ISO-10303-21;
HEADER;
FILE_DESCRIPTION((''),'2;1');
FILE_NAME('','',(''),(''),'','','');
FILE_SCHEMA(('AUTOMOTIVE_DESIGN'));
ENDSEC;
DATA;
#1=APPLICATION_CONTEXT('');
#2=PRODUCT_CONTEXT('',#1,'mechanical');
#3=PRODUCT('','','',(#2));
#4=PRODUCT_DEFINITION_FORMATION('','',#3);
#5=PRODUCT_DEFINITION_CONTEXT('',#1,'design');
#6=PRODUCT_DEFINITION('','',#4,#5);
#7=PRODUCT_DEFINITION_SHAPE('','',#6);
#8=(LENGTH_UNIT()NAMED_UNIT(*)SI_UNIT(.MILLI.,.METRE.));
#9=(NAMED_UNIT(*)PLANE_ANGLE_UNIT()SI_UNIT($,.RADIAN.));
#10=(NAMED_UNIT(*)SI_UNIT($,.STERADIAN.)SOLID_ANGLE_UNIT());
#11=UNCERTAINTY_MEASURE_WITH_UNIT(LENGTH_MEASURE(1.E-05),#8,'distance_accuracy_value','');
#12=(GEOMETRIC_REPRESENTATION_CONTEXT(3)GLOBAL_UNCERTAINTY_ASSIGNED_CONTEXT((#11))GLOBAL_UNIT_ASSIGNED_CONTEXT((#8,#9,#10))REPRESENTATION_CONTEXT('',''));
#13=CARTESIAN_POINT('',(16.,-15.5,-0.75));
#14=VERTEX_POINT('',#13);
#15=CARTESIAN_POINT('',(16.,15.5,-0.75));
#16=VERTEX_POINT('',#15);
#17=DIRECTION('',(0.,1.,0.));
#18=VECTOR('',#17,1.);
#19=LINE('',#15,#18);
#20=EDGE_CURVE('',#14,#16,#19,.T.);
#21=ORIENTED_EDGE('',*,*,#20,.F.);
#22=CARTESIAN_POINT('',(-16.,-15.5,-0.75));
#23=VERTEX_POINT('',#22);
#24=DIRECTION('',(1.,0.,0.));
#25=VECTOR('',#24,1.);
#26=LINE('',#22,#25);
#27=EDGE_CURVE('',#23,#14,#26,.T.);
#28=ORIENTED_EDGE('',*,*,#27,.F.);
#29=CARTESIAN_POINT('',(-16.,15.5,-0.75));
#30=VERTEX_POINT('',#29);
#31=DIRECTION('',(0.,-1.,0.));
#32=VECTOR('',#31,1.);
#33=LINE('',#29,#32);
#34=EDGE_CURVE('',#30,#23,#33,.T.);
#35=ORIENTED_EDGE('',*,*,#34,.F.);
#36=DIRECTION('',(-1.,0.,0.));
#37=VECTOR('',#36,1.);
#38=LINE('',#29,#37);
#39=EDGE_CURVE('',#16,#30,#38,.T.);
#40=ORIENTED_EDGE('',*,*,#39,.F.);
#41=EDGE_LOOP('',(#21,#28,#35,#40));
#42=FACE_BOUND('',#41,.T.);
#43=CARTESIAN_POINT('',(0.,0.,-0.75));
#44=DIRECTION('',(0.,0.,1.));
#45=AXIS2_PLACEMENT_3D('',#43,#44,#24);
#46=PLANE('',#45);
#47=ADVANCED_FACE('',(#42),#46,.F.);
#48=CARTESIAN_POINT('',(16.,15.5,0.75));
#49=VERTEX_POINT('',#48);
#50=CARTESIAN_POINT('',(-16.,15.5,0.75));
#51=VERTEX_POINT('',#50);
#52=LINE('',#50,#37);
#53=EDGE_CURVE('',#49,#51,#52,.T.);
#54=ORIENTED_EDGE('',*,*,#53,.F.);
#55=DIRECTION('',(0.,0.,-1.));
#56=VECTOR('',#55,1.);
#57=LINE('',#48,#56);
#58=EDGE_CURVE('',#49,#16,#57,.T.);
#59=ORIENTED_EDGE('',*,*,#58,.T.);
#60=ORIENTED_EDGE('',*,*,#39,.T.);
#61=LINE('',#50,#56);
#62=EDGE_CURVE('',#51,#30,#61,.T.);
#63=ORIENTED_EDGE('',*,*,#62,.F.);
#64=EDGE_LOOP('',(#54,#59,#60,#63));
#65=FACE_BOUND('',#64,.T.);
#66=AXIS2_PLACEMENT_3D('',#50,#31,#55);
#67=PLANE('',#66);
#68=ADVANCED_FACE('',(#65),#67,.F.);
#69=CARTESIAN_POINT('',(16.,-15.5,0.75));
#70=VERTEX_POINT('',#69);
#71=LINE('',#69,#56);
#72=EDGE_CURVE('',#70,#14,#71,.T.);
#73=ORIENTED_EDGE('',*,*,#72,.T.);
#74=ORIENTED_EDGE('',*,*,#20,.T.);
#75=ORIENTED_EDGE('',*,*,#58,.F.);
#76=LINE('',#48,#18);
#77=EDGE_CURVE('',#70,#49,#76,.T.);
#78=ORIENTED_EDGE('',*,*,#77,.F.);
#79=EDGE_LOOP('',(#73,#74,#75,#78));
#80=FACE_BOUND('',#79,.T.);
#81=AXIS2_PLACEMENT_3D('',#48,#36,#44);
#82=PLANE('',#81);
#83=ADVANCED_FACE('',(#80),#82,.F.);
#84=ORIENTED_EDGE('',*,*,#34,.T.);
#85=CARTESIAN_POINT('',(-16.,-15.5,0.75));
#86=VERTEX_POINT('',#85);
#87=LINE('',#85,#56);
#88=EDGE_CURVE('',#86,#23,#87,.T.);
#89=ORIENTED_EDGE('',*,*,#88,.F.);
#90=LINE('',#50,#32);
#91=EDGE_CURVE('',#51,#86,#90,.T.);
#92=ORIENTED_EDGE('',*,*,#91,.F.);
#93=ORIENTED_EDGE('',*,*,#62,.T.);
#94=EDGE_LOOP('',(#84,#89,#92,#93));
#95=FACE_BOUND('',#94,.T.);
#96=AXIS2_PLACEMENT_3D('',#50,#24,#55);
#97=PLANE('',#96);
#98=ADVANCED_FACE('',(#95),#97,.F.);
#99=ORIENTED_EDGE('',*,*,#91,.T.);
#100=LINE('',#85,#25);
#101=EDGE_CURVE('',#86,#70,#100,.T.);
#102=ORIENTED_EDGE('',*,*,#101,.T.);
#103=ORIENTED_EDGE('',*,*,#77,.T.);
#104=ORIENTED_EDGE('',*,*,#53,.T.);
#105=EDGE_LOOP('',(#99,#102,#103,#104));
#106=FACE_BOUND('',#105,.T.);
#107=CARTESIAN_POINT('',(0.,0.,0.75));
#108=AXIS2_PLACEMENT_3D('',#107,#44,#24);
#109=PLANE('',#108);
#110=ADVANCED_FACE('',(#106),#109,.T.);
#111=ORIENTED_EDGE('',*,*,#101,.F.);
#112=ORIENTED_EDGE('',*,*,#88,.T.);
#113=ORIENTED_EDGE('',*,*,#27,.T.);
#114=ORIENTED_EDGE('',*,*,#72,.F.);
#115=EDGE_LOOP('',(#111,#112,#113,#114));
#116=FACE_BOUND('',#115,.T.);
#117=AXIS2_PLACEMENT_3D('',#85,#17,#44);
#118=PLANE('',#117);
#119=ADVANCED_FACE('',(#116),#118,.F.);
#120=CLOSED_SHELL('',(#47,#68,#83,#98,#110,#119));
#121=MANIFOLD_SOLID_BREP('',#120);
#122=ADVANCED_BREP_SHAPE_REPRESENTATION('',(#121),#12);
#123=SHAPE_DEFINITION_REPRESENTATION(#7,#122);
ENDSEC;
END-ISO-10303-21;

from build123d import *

# Parameters (mm, degrees)
ESQUISSE1_W        = 32
ESQUISSE1_H        = 31
BOSS_EXTRU_1_DEPTH = 0.75


with BuildPart() as part:
    # Esquisse1 → Boss.-Extru.1 (new body, symmetric)
    with BuildSketch(Plane.XY):
        Rectangle(ESQUISSE1_W, ESQUISSE1_H)
    extrude(amount=BOSS_EXTRU_1_DEPTH, both=True)


solid = part.part
